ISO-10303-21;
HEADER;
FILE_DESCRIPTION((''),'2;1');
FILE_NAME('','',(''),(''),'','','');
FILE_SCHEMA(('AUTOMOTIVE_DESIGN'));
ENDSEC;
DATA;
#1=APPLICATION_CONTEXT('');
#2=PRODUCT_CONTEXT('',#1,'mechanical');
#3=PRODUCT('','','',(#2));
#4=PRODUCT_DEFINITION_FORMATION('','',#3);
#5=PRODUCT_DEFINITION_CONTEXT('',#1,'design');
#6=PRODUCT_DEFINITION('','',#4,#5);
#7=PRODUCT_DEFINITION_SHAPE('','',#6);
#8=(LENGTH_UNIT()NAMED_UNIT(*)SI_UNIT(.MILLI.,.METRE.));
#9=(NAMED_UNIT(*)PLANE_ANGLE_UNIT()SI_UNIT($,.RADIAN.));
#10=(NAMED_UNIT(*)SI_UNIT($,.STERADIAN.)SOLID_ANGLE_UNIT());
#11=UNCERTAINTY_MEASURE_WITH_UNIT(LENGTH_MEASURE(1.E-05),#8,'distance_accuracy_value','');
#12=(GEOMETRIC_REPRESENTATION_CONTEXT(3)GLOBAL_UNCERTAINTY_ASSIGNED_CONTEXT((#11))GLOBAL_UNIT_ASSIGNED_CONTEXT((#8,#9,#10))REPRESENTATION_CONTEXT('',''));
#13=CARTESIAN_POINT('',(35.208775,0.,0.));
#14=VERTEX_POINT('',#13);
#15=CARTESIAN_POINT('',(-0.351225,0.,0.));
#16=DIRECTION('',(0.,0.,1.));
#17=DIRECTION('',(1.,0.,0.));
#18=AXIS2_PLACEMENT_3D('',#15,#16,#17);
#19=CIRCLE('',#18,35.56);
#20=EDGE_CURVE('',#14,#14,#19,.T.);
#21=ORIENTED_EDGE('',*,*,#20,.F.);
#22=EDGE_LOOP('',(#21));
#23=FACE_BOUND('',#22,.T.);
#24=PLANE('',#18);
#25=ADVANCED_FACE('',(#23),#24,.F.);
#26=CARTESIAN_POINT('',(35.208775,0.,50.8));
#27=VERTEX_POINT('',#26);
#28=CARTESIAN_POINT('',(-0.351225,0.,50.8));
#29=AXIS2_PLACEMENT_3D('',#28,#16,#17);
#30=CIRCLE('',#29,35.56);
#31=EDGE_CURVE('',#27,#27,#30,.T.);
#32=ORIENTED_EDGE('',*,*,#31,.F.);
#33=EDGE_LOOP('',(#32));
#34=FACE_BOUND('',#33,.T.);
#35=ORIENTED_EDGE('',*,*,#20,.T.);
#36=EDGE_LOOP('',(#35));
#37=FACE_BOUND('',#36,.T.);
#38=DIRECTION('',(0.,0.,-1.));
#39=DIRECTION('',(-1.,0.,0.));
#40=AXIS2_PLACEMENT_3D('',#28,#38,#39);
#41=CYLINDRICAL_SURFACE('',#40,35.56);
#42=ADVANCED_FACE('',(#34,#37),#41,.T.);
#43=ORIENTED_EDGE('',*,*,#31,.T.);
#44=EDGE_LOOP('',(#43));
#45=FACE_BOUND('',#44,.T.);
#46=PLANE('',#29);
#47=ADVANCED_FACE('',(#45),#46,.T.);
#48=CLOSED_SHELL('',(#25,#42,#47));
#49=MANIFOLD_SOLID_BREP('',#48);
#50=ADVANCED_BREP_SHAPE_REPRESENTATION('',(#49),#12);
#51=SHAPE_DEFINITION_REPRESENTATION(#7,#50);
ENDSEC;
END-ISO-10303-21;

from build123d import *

# Parameters (mm, degrees)
SKETCH1_R           = 35.56
BOSS_EXTRUDE1_DEPTH = 50.8


with BuildPart() as part:
    # Sketch1 → Boss-Extrude1 (new body)
    with BuildSketch(Plane(origin=(0, 0, 0), x_dir=(0, 1, 0), z_dir=(0, 0, 1))):
        with Locations((0, 0.351224747)):
            Circle(SKETCH1_R)
    extrude(amount=BOSS_EXTRUDE1_DEPTH)


solid = part.part
